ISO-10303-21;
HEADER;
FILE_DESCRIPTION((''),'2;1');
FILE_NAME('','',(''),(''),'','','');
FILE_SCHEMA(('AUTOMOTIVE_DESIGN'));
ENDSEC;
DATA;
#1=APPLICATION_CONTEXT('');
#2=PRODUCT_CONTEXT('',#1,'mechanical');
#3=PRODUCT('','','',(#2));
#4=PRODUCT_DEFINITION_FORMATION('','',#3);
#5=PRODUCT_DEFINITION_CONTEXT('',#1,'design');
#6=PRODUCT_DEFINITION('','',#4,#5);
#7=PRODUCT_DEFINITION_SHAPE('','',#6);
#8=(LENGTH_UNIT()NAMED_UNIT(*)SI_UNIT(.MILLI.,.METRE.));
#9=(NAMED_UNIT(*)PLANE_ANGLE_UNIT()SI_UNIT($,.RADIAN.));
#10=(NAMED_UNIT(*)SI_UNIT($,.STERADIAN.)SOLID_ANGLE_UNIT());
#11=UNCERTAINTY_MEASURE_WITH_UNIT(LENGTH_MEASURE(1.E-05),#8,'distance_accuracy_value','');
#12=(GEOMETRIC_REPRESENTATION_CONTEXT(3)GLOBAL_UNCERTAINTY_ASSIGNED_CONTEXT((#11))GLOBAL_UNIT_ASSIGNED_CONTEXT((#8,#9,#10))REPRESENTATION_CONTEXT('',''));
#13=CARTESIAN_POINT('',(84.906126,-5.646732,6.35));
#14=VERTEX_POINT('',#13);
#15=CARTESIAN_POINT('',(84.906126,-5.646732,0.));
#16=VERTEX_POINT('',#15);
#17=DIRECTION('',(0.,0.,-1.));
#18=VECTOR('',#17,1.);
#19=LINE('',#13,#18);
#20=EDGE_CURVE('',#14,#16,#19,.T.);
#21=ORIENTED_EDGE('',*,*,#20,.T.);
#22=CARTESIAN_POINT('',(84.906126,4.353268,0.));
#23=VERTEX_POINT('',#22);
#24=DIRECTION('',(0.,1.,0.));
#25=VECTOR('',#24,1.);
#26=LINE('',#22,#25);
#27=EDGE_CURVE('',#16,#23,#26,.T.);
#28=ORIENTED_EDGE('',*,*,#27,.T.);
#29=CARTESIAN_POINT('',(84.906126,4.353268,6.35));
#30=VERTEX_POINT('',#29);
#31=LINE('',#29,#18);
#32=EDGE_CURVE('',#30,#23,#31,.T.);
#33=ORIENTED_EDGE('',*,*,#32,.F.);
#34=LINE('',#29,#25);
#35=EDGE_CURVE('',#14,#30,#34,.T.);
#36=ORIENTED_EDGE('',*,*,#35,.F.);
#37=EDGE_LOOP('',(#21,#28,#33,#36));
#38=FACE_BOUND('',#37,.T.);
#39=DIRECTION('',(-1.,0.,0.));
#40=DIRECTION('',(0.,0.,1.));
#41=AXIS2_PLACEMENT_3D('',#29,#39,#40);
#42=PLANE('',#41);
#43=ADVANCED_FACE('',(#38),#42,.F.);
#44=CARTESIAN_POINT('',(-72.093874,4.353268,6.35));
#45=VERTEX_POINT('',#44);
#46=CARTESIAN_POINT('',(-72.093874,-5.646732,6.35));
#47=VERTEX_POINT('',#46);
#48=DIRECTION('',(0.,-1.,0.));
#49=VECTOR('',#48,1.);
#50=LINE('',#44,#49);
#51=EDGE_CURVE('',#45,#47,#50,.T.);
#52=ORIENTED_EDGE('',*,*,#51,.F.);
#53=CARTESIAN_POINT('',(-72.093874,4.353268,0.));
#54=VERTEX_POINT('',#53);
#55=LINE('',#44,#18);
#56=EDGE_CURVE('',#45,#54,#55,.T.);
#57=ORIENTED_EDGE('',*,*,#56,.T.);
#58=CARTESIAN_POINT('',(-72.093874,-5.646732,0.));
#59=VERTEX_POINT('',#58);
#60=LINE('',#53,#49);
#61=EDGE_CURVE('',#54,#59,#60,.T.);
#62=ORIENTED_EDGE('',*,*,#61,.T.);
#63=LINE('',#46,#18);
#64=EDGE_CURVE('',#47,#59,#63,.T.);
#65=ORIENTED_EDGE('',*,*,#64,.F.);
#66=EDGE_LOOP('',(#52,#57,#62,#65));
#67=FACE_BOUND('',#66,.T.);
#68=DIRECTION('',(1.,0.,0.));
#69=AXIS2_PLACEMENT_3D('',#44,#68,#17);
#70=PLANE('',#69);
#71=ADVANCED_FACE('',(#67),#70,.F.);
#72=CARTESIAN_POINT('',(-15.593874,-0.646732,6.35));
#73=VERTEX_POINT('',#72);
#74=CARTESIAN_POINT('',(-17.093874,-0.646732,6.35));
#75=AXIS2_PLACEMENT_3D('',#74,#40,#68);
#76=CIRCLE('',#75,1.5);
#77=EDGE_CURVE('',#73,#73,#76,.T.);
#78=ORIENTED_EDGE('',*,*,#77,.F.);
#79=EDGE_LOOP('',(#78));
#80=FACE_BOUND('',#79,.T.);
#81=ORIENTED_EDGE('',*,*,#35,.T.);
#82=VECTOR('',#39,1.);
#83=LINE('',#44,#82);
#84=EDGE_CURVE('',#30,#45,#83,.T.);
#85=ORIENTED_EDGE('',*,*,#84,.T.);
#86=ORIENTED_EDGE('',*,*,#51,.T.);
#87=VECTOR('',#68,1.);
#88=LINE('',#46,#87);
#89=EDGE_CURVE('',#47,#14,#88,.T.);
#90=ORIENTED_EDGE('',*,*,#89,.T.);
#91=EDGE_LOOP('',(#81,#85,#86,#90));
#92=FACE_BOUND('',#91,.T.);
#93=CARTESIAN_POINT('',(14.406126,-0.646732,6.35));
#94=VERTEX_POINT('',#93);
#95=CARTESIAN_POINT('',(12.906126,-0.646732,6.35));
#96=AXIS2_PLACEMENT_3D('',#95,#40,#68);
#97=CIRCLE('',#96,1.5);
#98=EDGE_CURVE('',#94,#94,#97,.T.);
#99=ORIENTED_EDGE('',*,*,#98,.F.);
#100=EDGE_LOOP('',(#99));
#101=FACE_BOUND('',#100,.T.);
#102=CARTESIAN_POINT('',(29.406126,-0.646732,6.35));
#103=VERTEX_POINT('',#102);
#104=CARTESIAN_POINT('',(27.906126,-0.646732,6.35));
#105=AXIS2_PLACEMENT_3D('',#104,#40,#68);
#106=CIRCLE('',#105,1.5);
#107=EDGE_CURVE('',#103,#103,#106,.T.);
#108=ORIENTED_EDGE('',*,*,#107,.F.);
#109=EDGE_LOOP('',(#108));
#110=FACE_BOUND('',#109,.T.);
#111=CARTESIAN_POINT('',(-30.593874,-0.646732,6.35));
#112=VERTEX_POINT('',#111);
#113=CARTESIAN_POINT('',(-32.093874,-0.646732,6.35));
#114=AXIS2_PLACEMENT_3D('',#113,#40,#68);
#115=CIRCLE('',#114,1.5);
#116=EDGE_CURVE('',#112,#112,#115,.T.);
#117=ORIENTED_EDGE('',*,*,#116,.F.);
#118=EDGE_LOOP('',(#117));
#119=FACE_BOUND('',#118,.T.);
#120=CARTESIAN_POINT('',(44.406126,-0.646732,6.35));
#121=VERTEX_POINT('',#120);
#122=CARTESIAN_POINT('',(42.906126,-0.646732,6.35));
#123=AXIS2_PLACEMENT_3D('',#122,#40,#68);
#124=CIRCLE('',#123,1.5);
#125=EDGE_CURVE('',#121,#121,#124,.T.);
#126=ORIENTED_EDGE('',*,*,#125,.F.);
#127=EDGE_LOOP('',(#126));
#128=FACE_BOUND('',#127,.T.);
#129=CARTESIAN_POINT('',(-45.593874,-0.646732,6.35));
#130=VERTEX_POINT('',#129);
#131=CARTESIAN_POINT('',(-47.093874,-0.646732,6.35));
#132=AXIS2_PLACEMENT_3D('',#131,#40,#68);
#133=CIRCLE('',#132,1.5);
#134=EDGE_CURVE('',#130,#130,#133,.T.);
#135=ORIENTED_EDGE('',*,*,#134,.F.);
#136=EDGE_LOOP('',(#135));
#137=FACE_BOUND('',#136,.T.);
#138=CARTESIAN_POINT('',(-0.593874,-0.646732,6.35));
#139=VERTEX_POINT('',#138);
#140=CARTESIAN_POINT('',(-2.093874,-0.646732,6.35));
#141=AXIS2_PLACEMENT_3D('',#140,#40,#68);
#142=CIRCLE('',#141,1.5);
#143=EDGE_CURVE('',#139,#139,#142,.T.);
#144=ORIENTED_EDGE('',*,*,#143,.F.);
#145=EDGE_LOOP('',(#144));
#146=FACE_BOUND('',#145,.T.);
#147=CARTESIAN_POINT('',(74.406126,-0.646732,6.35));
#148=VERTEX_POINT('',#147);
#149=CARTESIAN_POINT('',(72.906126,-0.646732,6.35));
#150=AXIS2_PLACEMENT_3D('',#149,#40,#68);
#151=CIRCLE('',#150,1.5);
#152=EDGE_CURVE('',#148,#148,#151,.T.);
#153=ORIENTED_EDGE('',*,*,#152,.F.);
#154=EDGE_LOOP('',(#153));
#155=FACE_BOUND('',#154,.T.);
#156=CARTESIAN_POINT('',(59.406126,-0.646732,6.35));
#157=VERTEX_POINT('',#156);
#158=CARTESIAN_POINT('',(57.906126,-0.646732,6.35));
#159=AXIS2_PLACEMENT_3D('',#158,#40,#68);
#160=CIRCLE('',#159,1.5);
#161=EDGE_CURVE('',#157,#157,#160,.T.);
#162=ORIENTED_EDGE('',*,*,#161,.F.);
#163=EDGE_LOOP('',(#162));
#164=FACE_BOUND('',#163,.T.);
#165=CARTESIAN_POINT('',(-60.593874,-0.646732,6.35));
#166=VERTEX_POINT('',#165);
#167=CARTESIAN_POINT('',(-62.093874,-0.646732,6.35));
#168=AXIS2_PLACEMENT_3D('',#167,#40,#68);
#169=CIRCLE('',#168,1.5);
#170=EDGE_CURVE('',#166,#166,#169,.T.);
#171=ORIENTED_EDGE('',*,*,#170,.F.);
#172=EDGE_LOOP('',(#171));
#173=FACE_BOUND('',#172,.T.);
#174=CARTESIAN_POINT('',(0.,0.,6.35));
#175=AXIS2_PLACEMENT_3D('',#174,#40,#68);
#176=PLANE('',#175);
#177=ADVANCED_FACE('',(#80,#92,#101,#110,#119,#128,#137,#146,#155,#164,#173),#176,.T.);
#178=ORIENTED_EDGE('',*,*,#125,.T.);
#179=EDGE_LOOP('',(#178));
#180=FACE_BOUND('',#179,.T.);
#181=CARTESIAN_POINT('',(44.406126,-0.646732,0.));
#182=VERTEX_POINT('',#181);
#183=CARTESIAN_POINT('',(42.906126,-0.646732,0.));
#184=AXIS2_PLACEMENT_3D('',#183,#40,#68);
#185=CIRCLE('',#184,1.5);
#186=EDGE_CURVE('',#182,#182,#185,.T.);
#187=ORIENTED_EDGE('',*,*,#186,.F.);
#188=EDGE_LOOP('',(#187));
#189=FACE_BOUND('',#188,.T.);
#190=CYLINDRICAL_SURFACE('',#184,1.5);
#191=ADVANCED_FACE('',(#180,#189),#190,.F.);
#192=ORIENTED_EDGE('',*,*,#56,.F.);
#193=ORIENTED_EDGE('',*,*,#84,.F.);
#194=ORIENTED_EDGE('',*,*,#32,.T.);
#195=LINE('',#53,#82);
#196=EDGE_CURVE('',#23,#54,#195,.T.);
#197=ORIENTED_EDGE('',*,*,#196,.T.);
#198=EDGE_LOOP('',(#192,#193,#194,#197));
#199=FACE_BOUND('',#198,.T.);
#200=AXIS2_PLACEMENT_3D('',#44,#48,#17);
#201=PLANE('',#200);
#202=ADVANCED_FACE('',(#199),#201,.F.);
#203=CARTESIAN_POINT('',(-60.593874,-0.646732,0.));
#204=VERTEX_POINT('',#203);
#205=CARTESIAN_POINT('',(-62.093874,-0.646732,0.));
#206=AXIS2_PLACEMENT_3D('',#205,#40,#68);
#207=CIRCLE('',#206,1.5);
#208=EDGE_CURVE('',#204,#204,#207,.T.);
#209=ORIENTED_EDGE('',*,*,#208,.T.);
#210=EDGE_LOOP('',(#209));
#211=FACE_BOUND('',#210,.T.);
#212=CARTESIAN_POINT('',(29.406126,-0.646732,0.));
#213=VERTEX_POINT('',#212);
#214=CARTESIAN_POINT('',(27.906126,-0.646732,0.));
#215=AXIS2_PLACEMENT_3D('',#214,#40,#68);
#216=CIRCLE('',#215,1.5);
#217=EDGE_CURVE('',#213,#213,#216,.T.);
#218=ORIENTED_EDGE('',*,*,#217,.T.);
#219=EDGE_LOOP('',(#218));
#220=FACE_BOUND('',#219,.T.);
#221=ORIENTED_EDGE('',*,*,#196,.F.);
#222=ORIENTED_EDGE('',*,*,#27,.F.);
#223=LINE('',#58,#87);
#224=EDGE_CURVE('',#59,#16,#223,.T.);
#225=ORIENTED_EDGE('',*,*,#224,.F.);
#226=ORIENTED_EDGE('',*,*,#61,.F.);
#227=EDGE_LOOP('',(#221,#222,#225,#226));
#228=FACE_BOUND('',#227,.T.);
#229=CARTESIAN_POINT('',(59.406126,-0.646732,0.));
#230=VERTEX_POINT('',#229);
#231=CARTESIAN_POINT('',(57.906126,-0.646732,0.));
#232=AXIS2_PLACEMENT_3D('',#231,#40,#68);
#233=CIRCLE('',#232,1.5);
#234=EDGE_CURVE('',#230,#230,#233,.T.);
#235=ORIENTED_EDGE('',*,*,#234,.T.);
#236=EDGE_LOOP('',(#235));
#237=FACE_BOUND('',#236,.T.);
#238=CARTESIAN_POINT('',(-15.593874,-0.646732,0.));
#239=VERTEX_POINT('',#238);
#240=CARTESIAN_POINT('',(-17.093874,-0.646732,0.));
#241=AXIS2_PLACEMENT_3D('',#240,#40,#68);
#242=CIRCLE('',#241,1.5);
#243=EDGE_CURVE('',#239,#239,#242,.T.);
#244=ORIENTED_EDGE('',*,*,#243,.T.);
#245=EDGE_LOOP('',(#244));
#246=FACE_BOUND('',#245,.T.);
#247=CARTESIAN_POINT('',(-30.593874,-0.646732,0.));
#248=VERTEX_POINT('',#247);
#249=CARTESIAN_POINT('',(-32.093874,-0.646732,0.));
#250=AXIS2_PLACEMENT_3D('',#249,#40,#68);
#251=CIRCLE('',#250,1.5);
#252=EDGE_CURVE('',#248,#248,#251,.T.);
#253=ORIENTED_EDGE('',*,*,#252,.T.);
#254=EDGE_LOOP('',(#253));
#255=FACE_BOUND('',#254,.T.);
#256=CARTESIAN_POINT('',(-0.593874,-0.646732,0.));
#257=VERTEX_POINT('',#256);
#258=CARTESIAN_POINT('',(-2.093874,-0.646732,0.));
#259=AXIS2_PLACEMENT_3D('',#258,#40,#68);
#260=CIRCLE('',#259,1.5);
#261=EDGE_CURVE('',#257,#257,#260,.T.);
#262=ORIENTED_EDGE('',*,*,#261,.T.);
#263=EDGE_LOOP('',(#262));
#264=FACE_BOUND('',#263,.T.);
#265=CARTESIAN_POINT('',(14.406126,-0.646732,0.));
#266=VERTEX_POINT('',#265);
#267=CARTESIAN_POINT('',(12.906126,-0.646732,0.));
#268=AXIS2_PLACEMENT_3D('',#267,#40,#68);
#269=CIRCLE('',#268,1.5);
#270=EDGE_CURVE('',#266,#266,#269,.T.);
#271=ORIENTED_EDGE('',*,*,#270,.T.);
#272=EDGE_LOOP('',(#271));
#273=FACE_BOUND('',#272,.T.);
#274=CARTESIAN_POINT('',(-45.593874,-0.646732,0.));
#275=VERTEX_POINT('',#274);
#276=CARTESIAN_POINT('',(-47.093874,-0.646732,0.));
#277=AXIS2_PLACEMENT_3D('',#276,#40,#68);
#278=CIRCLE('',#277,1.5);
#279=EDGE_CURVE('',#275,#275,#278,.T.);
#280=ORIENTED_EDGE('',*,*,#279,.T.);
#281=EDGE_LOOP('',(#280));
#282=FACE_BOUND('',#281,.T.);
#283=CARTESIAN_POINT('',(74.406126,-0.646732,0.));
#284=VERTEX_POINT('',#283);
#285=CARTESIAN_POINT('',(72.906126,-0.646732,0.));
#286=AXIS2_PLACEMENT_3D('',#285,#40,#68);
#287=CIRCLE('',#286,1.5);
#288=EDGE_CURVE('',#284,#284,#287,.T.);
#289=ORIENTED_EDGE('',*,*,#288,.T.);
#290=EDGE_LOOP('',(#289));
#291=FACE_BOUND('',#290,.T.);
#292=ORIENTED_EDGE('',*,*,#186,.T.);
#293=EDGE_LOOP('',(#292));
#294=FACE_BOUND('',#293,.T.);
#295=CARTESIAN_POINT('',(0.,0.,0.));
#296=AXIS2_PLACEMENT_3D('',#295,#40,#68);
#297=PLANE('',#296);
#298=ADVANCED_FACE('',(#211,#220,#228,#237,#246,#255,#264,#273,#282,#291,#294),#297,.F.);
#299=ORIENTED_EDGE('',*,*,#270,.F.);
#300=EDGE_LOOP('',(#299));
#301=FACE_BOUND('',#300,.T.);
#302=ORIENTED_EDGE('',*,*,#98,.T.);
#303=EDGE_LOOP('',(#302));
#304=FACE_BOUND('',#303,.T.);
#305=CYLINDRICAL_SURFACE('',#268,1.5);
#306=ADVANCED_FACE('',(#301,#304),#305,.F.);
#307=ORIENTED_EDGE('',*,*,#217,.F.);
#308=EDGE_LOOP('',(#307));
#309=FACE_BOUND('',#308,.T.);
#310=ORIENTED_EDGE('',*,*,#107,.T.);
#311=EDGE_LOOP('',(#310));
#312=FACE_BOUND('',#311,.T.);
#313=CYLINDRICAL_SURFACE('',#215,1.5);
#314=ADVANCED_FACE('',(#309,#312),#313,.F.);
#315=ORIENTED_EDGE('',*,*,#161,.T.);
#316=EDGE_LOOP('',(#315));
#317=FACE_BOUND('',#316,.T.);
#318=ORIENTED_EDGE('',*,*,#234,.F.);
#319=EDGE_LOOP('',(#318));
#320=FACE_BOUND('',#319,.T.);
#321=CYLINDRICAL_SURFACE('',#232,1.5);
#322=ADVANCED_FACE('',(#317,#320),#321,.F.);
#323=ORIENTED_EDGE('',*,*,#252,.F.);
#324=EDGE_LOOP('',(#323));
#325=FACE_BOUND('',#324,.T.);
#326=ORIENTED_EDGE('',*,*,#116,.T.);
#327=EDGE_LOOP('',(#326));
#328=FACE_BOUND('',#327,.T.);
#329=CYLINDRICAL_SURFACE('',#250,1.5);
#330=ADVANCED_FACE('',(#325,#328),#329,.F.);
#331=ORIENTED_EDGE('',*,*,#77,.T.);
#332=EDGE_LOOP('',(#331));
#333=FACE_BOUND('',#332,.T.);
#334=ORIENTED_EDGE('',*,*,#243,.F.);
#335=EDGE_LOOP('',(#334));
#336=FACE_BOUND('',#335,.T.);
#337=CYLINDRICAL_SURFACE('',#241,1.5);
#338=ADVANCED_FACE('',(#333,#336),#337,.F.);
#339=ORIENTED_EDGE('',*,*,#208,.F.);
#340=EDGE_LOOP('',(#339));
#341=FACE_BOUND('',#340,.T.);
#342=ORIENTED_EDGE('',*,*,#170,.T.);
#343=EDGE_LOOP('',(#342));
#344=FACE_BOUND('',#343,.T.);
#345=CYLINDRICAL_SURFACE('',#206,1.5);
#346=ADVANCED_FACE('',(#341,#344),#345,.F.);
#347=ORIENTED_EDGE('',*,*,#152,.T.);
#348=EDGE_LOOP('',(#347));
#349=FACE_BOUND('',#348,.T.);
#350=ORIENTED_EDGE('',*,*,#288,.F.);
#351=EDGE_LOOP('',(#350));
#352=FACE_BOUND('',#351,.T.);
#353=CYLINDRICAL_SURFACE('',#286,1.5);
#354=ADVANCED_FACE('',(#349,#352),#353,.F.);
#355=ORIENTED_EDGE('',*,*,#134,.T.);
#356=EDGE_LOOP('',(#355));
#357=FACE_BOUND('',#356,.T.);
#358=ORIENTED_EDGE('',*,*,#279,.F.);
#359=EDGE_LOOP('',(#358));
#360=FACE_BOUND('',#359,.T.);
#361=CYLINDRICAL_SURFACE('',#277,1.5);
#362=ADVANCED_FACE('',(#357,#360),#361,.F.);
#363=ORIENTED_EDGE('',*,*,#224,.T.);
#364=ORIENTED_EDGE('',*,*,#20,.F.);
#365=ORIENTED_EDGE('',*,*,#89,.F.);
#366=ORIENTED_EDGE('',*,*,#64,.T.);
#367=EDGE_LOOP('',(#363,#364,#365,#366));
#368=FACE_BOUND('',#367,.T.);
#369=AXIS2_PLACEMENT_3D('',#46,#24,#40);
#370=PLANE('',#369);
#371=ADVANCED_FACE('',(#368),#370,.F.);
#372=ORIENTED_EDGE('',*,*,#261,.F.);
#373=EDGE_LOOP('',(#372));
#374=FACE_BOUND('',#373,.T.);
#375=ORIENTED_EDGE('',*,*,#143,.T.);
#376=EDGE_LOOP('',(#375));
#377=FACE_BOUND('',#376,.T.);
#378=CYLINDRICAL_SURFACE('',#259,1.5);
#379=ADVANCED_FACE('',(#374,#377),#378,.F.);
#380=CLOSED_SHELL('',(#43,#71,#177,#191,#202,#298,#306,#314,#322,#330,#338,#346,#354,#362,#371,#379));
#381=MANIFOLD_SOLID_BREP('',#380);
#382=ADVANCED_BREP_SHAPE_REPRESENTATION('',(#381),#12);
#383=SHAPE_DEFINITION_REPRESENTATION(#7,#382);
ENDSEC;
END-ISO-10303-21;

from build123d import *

# Parameters (mm, degrees)
SKETCH1_W           = 157
SKETCH1_H           = 10
BOSS_EXTRUDE1_DEPTH = 6.35
SKETCH2_R           = 1.5
CUT_EXTRUDE1_DEPTH  = 86.330289506


with BuildPart() as part:
    # Sketch1 → Boss-Extrude1 (new body)
    with BuildSketch(Plane.XY):
        with Locations((6.40612596, -0.64673194)):
            Rectangle(SKETCH1_W, SKETCH1_H)
    extrude(amount=BOSS_EXTRUDE1_DEPTH)

    # Sketch2 → Cut-Extrude1 (cut, through all)
    with BuildSketch(Plane.XY.offset(6.35)):
        with Locations((-62.09387404, -0.64673194)):
            Circle(SKETCH2_R)
        with Locations((-47.09387404, -0.64673194)):
            Circle(SKETCH2_R)
        with Locations((-32.09387404, -0.64673194)):
            Circle(SKETCH2_R)
        with Locations((-17.09387404, -0.64673194)):
            Circle(SKETCH2_R)
        with Locations((-2.09387404, -0.64673194)):
            Circle(SKETCH2_R)
        with Locations((12.90612596, -0.64673194)):
            Circle(SKETCH2_R)
        with Locations((27.90612596, -0.64673194)):
            Circle(SKETCH2_R)
        with Locations((42.90612596, -0.64673194)):
            Circle(SKETCH2_R)
        with Locations((57.90612596, -0.64673194)):
            Circle(SKETCH2_R)
        with Locations((72.90612596, -0.64673194)):
            Circle(SKETCH2_R)
    extrude(amount=-CUT_EXTRUDE1_DEPTH, mode=Mode.SUBTRACT)


solid = part.part
